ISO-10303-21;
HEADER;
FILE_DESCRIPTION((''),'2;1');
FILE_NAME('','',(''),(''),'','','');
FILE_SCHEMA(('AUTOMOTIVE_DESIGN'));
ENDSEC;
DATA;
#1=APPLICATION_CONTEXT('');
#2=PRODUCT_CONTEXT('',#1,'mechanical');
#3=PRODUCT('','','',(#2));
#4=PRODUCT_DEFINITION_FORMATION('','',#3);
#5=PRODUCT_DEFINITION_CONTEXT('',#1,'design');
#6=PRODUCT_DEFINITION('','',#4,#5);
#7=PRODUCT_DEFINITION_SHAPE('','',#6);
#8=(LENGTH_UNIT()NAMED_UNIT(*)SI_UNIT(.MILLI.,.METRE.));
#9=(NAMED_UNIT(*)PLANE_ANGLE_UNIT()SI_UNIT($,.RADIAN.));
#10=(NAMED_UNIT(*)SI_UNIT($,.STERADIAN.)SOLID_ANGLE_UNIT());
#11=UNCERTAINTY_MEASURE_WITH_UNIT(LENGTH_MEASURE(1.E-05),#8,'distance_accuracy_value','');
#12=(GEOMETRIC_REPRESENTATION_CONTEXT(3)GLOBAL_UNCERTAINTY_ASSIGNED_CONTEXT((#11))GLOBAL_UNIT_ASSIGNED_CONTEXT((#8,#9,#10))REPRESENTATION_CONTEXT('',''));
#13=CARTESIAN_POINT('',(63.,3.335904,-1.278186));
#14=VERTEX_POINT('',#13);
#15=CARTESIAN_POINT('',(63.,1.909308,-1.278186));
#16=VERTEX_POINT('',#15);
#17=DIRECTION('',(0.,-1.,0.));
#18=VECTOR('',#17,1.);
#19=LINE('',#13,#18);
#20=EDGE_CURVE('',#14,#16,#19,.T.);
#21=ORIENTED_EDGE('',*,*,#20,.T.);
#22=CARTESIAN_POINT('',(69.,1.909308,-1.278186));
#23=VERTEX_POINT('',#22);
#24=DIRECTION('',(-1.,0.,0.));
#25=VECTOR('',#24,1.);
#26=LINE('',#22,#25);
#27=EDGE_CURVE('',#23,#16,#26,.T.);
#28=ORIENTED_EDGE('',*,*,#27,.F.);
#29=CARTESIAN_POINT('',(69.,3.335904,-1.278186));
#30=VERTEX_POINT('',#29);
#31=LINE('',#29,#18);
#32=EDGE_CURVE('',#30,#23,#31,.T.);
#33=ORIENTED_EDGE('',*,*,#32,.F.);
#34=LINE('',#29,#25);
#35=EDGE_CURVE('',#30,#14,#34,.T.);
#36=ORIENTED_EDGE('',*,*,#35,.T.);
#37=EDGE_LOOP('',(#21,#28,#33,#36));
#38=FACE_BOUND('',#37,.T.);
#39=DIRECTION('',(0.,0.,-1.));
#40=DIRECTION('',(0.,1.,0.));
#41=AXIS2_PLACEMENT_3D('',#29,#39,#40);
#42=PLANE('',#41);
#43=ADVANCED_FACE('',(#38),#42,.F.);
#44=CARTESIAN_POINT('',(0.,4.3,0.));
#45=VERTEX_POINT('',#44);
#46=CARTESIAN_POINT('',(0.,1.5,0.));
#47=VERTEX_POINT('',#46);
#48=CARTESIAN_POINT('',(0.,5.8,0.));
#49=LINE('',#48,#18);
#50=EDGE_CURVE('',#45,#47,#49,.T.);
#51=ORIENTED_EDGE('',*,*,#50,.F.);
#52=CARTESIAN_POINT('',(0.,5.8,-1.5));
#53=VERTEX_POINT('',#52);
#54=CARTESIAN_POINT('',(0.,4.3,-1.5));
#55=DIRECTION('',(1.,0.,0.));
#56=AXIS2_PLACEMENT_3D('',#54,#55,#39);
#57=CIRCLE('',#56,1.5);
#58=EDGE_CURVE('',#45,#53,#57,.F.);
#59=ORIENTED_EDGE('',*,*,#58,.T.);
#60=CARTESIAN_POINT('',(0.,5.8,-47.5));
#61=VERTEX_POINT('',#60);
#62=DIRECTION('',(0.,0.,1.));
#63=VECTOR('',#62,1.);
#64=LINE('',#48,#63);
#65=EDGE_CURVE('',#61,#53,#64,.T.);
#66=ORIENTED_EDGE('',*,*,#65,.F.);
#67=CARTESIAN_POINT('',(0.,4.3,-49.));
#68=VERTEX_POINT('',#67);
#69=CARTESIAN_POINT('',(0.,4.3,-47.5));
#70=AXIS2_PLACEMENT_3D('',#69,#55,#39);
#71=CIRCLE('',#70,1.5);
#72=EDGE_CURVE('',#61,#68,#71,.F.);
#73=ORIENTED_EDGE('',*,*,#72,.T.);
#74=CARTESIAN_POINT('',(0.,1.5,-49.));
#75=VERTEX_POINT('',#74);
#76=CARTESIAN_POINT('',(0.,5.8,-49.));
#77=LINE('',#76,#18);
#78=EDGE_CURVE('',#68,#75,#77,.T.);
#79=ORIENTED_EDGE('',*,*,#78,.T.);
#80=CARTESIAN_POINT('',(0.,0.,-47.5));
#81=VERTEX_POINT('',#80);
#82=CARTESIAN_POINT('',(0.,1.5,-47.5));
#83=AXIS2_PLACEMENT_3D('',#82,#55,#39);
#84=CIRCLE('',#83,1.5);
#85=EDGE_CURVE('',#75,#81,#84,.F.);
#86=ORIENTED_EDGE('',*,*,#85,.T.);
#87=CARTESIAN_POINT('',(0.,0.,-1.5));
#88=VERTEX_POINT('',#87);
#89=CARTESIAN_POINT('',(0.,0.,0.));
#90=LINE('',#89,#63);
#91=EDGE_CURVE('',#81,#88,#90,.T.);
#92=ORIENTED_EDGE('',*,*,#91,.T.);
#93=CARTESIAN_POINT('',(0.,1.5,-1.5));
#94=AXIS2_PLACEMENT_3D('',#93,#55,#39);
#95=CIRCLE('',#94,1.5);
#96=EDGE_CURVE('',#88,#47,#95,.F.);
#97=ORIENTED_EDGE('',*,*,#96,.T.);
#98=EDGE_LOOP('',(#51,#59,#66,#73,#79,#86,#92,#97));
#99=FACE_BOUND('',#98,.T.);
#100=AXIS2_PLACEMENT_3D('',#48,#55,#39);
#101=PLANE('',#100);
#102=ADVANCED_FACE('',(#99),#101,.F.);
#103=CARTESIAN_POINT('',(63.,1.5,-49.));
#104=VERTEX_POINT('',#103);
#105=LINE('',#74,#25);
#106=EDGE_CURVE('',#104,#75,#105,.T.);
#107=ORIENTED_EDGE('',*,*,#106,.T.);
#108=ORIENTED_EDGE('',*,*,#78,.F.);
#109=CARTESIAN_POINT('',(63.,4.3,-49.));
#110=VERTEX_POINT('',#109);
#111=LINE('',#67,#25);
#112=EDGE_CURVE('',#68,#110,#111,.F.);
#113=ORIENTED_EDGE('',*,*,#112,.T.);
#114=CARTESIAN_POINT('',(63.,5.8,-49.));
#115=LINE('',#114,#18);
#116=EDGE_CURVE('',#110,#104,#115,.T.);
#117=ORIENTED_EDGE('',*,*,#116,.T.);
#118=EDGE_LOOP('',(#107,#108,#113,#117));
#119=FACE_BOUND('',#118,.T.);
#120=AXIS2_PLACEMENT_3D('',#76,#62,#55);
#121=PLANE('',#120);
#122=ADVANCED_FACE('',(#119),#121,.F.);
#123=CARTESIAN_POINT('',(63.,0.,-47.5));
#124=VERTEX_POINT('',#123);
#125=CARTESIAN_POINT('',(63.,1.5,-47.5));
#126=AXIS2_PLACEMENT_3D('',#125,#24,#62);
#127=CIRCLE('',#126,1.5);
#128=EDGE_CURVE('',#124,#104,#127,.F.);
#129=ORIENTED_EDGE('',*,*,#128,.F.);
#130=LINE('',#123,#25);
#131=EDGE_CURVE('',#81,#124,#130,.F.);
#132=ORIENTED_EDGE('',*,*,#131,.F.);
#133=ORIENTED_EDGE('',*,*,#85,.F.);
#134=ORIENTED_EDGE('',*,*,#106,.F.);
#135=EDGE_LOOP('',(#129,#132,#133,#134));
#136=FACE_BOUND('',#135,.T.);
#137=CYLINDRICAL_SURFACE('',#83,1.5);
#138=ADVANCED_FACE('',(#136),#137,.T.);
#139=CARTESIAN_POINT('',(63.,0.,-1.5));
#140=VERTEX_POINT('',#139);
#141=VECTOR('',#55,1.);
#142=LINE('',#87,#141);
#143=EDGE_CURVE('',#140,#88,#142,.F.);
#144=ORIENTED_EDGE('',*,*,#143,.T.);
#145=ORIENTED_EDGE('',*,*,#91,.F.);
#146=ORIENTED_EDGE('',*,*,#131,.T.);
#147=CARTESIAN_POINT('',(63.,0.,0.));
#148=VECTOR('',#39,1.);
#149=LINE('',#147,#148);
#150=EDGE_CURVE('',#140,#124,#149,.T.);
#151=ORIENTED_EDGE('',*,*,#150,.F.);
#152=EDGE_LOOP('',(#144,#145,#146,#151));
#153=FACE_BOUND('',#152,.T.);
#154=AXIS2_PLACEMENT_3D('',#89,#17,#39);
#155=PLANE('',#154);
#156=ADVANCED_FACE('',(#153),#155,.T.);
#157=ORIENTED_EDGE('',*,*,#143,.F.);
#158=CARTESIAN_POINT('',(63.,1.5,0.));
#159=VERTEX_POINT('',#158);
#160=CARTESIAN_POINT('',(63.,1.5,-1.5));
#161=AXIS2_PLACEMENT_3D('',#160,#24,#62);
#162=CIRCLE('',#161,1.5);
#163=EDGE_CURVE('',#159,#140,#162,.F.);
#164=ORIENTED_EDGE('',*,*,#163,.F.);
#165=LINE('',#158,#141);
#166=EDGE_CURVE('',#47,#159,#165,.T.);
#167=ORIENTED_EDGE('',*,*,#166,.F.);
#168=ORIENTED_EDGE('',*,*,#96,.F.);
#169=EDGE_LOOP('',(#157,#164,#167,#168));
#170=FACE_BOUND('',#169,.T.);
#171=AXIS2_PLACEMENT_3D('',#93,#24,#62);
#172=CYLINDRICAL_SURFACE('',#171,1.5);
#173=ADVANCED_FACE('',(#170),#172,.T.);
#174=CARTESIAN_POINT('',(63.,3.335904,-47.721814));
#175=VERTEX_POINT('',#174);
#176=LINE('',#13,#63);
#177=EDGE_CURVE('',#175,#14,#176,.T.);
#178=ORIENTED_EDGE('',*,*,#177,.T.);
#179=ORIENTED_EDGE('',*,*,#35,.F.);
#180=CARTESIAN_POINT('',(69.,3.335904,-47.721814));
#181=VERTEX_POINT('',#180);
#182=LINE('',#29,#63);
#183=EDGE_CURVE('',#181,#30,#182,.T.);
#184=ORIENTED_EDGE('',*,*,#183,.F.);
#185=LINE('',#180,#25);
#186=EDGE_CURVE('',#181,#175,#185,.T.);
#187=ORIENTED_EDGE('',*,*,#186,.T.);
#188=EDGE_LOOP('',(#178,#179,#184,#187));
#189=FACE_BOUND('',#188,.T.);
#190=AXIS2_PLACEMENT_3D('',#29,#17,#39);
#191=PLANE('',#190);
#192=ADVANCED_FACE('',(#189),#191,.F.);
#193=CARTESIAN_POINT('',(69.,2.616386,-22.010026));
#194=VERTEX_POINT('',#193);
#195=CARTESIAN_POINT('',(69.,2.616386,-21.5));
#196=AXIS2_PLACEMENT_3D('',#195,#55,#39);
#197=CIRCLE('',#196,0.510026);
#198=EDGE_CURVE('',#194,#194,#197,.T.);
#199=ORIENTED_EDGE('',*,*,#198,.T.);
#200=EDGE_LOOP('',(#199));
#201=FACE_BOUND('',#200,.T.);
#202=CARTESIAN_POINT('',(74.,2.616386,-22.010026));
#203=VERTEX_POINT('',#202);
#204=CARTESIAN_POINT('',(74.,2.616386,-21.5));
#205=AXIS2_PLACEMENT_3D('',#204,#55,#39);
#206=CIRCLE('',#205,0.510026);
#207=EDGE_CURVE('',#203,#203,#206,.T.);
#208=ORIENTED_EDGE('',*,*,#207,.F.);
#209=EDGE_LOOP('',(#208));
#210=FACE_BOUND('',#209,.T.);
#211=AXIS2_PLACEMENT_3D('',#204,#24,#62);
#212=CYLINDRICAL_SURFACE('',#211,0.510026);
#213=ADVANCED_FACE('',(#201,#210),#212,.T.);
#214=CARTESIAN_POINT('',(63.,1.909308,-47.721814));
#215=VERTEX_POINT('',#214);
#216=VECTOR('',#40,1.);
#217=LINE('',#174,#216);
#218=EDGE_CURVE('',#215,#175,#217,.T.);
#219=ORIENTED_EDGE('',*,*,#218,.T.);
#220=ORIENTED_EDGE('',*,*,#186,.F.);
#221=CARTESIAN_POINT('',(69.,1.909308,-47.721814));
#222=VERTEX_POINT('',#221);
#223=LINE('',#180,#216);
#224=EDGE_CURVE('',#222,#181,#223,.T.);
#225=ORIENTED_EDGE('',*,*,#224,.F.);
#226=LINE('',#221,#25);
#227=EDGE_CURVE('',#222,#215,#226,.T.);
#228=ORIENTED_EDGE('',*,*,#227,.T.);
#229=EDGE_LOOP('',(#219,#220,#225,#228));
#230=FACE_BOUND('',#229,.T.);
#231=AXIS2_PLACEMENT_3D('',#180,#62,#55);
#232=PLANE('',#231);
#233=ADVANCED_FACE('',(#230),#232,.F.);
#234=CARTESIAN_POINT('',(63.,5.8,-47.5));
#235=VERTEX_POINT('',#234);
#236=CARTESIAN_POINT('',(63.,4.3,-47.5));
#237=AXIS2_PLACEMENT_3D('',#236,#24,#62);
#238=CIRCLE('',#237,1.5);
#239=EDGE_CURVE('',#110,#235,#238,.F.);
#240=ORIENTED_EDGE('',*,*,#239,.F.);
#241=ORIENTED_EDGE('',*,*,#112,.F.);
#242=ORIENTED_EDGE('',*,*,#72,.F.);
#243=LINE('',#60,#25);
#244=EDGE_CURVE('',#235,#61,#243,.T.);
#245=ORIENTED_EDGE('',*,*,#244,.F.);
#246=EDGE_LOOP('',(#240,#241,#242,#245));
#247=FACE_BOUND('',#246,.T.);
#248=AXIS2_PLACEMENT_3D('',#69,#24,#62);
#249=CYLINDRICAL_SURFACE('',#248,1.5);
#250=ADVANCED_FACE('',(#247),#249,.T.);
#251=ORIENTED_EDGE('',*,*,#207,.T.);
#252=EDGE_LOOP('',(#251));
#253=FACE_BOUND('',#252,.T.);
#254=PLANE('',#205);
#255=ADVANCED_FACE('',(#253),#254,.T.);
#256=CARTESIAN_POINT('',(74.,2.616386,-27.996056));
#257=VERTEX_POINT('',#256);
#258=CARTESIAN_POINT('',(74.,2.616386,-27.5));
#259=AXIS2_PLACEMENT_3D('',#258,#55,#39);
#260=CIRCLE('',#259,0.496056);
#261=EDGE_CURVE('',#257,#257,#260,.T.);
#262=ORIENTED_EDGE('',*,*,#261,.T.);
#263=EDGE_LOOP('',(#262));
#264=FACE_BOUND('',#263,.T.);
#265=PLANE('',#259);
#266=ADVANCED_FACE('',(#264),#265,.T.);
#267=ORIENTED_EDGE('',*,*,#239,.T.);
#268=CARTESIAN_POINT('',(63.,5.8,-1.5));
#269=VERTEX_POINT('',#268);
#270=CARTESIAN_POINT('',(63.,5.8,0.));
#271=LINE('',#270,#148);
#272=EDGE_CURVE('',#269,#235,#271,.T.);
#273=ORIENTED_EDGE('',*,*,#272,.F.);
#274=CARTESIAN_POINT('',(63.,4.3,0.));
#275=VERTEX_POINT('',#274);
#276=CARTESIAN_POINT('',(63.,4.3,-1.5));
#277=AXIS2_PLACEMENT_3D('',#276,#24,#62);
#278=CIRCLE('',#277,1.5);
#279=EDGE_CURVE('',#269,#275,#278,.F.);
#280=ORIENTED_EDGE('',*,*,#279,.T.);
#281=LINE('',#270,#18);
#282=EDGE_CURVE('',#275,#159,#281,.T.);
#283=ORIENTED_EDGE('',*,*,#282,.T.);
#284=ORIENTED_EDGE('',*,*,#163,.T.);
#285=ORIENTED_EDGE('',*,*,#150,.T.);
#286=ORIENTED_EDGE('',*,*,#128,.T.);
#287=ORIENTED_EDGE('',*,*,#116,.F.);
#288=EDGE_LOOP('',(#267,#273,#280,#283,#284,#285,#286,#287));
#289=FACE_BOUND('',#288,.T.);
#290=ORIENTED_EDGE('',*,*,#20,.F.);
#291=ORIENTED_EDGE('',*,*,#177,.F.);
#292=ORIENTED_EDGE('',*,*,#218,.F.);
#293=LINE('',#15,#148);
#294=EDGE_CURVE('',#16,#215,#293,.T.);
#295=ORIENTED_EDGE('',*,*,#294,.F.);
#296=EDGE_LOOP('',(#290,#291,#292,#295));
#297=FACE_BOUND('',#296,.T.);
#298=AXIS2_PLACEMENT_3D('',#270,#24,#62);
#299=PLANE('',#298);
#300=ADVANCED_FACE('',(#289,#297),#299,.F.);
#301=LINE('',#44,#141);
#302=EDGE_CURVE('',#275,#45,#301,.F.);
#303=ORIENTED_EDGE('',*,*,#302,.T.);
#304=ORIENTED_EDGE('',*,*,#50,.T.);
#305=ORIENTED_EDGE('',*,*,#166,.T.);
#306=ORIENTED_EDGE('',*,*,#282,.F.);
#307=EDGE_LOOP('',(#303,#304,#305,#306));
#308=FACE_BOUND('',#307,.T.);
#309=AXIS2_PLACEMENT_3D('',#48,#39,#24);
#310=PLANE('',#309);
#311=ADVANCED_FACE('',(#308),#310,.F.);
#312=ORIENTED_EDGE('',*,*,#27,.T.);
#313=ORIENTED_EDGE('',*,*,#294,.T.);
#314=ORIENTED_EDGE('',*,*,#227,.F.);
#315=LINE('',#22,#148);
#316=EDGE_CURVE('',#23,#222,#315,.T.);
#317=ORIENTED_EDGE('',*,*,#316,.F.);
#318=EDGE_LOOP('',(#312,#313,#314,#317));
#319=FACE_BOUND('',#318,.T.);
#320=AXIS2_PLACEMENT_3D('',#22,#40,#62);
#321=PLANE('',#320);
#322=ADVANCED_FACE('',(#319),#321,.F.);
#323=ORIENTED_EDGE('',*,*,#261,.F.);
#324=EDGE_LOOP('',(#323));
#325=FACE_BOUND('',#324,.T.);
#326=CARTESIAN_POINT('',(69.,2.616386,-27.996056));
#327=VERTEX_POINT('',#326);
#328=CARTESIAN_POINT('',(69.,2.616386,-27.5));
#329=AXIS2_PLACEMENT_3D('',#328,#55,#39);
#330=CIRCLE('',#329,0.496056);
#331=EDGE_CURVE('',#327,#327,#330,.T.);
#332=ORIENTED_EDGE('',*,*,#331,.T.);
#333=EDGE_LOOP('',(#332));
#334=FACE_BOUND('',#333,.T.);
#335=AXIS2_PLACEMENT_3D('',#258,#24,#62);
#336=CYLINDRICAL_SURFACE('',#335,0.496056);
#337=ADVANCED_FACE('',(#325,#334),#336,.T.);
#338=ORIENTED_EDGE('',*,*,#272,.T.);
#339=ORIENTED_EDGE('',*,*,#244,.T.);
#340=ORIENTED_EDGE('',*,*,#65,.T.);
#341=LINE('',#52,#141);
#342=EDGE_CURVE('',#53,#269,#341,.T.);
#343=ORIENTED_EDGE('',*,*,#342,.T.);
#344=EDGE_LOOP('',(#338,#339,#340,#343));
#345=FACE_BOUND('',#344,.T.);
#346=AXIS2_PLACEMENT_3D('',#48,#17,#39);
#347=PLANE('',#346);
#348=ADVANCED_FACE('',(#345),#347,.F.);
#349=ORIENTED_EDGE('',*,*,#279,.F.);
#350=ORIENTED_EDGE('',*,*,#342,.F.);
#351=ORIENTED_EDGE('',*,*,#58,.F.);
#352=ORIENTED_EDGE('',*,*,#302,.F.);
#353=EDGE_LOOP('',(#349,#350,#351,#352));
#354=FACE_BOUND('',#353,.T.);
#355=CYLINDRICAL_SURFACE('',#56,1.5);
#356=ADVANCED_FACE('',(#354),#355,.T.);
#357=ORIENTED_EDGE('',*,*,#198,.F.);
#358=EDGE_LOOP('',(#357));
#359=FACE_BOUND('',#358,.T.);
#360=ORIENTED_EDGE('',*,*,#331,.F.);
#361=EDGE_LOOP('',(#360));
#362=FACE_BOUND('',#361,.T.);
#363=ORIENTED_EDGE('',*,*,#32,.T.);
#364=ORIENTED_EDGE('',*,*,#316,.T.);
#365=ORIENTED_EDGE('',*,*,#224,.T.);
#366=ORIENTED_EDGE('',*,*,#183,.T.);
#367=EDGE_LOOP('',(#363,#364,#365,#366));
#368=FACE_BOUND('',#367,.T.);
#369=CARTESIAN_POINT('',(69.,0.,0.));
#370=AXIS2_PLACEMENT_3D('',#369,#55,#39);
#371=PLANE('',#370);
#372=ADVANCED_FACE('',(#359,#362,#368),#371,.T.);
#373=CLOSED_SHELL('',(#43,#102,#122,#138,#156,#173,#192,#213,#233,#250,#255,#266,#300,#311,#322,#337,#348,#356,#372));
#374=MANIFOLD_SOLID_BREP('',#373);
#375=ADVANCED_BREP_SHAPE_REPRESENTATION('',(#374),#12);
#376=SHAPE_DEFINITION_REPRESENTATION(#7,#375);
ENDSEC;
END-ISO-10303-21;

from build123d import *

# Parameters (mm, degrees)
CROQUIS1_W              = 63
CROQUIS1_H              = 49
SALIENTE_EXTRUIR1_DEPTH = 5.8
REDONDEO1_R             = 1.5
CROQUIS2_W              = 46.443628054
CROQUIS2_H              = 1.426596084
SALIENTE_EXTRUIR2_DEPTH = 6
CROQUIS3_R              = 0.510026017
CROQUIS3_R_2            = 0.496056104
SALIENTE_EXTRUIR3_DEPTH = 5


with BuildPart() as part:
    # Croquis1 → Saliente-Extruir1 (new body)
    with BuildSketch(Plane(origin=(0, 0, 0), x_dir=(1, 0, 0), z_dir=(0, 1, 0))):
        with Locations((31.5, 24.5)):
            Rectangle(CROQUIS1_W, CROQUIS1_H)
    extrude(amount=SALIENTE_EXTRUIR1_DEPTH)

    # Redondeo1
    redondeo1_edges = [part.edges().sort_by_distance(p)[0] for p in [
        (31.5, 5.8, -49),
        (31.5, 0, -49),
        (31.5, 0, 0),
        (31.5, 5.8, 0),
    ]]
    fillet(redondeo1_edges, radius=REDONDEO1_R)

    # Croquis2 → Saliente-Extruir2 (add)
    with BuildSketch(Plane(origin=(63, 0, 0), x_dir=(0, 0, -1), z_dir=(1, 0, 0))):
        with Locations((24.5, 2.622606317)):
            Rectangle(CROQUIS2_W, CROQUIS2_H)
    extrude(amount=SALIENTE_EXTRUIR2_DEPTH)

    # Croquis3 → Saliente-Extruir3 (add)
    with BuildSketch(Plane(origin=(69, 0, 0), x_dir=(0, 0, -1), z_dir=(1, 0, 0))):
        with Locations((21.5, 2.616385566)):
            Circle(CROQUIS3_R)
        with Locations((27.5, 2.616385566)):
            Circle(CROQUIS3_R_2)
    extrude(amount=SALIENTE_EXTRUIR3_DEPTH)


solid = part.part
